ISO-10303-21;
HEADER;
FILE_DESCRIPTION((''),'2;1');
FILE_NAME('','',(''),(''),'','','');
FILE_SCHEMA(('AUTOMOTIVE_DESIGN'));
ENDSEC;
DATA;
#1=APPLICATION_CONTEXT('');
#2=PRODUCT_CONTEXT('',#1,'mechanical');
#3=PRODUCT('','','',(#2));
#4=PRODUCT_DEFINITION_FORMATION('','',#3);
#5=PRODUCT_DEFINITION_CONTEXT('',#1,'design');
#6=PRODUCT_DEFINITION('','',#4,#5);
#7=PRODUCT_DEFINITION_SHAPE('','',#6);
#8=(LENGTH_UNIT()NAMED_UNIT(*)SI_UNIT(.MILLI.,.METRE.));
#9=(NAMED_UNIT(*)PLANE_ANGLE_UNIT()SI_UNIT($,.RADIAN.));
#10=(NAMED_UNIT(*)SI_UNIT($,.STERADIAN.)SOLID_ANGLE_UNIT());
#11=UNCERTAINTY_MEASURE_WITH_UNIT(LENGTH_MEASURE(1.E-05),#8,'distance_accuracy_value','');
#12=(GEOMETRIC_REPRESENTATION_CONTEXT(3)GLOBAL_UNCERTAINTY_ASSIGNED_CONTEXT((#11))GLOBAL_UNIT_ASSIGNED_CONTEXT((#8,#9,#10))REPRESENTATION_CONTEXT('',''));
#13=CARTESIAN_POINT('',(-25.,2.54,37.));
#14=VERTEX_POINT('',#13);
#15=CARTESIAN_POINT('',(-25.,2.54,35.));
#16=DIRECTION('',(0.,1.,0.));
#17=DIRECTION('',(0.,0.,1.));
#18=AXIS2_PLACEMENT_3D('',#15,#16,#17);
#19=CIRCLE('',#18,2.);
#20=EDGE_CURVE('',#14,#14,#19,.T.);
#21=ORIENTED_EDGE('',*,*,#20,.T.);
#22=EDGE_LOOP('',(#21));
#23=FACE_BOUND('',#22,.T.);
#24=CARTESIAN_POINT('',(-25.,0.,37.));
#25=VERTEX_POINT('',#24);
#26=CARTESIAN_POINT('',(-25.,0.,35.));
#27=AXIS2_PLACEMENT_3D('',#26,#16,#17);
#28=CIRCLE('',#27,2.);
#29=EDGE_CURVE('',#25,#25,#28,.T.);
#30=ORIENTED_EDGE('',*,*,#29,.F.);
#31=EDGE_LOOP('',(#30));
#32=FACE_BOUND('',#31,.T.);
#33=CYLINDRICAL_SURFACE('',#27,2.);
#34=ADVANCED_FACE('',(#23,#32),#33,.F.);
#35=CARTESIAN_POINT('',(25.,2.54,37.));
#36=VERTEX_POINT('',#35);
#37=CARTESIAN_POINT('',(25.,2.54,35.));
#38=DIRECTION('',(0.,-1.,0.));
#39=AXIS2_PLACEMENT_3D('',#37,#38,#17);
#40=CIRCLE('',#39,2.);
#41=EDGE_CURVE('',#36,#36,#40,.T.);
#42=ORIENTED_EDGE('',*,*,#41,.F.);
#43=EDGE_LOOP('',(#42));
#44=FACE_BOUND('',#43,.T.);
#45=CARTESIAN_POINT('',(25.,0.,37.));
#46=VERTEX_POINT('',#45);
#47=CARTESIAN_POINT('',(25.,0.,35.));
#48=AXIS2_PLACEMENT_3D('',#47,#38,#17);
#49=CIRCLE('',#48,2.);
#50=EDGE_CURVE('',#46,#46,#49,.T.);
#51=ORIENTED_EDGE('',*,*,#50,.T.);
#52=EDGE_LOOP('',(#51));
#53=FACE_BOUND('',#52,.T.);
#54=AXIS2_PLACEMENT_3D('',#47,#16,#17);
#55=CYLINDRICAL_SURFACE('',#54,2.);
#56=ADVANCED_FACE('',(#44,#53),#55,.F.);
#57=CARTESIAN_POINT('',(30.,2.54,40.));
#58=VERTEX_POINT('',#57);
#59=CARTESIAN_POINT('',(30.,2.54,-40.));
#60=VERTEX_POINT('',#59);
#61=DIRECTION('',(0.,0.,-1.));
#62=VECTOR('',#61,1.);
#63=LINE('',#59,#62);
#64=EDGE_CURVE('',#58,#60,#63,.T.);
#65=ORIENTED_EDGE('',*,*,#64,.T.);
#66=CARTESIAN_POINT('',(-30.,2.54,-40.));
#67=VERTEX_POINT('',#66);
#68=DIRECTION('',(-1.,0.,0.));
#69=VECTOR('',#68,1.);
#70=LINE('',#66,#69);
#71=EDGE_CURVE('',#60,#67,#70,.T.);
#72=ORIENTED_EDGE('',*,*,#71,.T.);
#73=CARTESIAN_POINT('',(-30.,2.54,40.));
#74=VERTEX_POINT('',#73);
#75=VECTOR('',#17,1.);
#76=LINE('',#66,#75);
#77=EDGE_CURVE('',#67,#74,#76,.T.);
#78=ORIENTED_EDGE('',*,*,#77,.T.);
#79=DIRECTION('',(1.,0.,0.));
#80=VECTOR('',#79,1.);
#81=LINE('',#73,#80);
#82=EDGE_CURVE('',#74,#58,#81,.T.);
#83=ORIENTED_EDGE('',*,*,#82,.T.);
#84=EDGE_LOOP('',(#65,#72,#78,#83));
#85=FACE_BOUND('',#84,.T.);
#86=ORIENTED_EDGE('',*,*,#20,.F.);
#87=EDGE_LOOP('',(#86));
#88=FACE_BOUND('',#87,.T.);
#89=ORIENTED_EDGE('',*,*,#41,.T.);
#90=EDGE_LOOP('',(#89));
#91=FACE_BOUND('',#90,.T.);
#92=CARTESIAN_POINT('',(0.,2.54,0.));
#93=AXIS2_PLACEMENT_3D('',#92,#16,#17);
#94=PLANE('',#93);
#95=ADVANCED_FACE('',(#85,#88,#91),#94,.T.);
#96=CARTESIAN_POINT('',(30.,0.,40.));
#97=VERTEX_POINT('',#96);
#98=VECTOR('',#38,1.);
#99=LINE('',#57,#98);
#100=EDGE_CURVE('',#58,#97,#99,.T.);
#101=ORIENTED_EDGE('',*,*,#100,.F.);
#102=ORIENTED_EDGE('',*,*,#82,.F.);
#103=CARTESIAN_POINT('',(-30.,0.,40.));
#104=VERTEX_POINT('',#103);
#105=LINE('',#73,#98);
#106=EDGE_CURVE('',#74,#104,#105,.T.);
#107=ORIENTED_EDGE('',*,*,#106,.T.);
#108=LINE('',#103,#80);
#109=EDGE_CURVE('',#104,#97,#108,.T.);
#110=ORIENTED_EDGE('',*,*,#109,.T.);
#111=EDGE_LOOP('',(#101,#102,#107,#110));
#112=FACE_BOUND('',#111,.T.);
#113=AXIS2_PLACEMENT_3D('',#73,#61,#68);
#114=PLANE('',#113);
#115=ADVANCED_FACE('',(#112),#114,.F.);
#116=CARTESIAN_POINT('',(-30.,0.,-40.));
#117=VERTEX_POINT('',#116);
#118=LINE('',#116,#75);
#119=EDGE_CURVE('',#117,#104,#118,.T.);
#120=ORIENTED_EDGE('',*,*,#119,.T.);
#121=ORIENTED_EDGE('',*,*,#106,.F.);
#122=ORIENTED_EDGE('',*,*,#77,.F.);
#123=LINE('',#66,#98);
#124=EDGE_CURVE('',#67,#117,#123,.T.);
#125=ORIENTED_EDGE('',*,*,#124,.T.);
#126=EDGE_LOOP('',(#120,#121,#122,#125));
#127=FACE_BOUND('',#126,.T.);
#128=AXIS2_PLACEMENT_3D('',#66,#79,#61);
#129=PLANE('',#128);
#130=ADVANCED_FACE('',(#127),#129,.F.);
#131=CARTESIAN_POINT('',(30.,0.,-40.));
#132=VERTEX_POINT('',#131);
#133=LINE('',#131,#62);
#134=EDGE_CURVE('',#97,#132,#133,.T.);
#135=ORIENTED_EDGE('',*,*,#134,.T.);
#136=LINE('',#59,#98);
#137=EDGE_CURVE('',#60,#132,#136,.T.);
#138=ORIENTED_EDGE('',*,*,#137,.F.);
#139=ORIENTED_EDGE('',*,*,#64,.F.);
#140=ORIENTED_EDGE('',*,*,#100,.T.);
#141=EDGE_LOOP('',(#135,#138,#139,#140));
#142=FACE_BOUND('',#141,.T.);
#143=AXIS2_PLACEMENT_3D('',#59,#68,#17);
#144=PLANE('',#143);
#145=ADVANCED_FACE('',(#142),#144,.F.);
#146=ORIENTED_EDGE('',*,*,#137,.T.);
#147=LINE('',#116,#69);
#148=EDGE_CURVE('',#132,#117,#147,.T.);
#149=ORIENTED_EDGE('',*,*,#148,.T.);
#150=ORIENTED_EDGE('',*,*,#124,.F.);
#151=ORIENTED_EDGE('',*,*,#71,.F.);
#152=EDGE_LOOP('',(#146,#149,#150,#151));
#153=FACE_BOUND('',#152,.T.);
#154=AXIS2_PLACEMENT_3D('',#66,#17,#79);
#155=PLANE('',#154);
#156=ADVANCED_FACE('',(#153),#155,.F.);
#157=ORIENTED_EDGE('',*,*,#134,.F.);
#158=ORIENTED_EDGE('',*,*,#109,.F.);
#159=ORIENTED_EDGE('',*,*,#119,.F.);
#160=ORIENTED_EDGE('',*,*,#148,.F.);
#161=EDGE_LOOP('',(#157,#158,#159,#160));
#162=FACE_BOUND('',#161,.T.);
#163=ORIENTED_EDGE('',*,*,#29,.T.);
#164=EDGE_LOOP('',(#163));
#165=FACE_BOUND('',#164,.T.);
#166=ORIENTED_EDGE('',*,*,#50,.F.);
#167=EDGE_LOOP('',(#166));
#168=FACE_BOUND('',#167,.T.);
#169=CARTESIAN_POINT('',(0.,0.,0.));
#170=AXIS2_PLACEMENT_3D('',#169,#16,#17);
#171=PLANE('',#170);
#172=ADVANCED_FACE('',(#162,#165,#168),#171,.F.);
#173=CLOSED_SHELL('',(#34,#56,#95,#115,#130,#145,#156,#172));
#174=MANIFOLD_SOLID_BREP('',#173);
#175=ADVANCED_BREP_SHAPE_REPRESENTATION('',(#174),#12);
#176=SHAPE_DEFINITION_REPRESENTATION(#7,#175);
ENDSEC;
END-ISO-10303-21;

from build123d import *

# Parameters (mm, degrees)
SKETCH1_W           = 60
SKETCH1_H           = 80
BOSS_EXTRUDE1_DEPTH = 2.54
SKETCH3_R           = 2
CUT_EXTRUDE1_DEPTH  = 51.06447443


with BuildPart() as part:
    # Sketch1 → Boss-Extrude1 (new body)
    with BuildSketch(Plane(origin=(0, 0, 0), x_dir=(1, 0, 0), z_dir=(0, 1, 0))):
        Rectangle(SKETCH1_W, SKETCH1_H)
    extrude(amount=BOSS_EXTRUDE1_DEPTH)

    # Sketch3 → Cut-Extrude1 (cut, through all)
    with BuildSketch(Plane(origin=(0, 2.54, 0), x_dir=(1, 0, 0), z_dir=(0, 1, 0))):
        with Locations(Location((-25, -35, 0), (0, 0, 270))):
            Circle(SKETCH3_R)
    cut_extrude1 = extrude(amount=-CUT_EXTRUDE1_DEPTH, mode=Mode.SUBTRACT)

    # Mirror1: Cut-Extrude1 across plane
    add(cut_extrude1.mirror(Plane(origin=(0, 0, 0), x_dir=(0, 0, 1), z_dir=(1, 0, 0))), mode=Mode.SUBTRACT)


solid = part.part
